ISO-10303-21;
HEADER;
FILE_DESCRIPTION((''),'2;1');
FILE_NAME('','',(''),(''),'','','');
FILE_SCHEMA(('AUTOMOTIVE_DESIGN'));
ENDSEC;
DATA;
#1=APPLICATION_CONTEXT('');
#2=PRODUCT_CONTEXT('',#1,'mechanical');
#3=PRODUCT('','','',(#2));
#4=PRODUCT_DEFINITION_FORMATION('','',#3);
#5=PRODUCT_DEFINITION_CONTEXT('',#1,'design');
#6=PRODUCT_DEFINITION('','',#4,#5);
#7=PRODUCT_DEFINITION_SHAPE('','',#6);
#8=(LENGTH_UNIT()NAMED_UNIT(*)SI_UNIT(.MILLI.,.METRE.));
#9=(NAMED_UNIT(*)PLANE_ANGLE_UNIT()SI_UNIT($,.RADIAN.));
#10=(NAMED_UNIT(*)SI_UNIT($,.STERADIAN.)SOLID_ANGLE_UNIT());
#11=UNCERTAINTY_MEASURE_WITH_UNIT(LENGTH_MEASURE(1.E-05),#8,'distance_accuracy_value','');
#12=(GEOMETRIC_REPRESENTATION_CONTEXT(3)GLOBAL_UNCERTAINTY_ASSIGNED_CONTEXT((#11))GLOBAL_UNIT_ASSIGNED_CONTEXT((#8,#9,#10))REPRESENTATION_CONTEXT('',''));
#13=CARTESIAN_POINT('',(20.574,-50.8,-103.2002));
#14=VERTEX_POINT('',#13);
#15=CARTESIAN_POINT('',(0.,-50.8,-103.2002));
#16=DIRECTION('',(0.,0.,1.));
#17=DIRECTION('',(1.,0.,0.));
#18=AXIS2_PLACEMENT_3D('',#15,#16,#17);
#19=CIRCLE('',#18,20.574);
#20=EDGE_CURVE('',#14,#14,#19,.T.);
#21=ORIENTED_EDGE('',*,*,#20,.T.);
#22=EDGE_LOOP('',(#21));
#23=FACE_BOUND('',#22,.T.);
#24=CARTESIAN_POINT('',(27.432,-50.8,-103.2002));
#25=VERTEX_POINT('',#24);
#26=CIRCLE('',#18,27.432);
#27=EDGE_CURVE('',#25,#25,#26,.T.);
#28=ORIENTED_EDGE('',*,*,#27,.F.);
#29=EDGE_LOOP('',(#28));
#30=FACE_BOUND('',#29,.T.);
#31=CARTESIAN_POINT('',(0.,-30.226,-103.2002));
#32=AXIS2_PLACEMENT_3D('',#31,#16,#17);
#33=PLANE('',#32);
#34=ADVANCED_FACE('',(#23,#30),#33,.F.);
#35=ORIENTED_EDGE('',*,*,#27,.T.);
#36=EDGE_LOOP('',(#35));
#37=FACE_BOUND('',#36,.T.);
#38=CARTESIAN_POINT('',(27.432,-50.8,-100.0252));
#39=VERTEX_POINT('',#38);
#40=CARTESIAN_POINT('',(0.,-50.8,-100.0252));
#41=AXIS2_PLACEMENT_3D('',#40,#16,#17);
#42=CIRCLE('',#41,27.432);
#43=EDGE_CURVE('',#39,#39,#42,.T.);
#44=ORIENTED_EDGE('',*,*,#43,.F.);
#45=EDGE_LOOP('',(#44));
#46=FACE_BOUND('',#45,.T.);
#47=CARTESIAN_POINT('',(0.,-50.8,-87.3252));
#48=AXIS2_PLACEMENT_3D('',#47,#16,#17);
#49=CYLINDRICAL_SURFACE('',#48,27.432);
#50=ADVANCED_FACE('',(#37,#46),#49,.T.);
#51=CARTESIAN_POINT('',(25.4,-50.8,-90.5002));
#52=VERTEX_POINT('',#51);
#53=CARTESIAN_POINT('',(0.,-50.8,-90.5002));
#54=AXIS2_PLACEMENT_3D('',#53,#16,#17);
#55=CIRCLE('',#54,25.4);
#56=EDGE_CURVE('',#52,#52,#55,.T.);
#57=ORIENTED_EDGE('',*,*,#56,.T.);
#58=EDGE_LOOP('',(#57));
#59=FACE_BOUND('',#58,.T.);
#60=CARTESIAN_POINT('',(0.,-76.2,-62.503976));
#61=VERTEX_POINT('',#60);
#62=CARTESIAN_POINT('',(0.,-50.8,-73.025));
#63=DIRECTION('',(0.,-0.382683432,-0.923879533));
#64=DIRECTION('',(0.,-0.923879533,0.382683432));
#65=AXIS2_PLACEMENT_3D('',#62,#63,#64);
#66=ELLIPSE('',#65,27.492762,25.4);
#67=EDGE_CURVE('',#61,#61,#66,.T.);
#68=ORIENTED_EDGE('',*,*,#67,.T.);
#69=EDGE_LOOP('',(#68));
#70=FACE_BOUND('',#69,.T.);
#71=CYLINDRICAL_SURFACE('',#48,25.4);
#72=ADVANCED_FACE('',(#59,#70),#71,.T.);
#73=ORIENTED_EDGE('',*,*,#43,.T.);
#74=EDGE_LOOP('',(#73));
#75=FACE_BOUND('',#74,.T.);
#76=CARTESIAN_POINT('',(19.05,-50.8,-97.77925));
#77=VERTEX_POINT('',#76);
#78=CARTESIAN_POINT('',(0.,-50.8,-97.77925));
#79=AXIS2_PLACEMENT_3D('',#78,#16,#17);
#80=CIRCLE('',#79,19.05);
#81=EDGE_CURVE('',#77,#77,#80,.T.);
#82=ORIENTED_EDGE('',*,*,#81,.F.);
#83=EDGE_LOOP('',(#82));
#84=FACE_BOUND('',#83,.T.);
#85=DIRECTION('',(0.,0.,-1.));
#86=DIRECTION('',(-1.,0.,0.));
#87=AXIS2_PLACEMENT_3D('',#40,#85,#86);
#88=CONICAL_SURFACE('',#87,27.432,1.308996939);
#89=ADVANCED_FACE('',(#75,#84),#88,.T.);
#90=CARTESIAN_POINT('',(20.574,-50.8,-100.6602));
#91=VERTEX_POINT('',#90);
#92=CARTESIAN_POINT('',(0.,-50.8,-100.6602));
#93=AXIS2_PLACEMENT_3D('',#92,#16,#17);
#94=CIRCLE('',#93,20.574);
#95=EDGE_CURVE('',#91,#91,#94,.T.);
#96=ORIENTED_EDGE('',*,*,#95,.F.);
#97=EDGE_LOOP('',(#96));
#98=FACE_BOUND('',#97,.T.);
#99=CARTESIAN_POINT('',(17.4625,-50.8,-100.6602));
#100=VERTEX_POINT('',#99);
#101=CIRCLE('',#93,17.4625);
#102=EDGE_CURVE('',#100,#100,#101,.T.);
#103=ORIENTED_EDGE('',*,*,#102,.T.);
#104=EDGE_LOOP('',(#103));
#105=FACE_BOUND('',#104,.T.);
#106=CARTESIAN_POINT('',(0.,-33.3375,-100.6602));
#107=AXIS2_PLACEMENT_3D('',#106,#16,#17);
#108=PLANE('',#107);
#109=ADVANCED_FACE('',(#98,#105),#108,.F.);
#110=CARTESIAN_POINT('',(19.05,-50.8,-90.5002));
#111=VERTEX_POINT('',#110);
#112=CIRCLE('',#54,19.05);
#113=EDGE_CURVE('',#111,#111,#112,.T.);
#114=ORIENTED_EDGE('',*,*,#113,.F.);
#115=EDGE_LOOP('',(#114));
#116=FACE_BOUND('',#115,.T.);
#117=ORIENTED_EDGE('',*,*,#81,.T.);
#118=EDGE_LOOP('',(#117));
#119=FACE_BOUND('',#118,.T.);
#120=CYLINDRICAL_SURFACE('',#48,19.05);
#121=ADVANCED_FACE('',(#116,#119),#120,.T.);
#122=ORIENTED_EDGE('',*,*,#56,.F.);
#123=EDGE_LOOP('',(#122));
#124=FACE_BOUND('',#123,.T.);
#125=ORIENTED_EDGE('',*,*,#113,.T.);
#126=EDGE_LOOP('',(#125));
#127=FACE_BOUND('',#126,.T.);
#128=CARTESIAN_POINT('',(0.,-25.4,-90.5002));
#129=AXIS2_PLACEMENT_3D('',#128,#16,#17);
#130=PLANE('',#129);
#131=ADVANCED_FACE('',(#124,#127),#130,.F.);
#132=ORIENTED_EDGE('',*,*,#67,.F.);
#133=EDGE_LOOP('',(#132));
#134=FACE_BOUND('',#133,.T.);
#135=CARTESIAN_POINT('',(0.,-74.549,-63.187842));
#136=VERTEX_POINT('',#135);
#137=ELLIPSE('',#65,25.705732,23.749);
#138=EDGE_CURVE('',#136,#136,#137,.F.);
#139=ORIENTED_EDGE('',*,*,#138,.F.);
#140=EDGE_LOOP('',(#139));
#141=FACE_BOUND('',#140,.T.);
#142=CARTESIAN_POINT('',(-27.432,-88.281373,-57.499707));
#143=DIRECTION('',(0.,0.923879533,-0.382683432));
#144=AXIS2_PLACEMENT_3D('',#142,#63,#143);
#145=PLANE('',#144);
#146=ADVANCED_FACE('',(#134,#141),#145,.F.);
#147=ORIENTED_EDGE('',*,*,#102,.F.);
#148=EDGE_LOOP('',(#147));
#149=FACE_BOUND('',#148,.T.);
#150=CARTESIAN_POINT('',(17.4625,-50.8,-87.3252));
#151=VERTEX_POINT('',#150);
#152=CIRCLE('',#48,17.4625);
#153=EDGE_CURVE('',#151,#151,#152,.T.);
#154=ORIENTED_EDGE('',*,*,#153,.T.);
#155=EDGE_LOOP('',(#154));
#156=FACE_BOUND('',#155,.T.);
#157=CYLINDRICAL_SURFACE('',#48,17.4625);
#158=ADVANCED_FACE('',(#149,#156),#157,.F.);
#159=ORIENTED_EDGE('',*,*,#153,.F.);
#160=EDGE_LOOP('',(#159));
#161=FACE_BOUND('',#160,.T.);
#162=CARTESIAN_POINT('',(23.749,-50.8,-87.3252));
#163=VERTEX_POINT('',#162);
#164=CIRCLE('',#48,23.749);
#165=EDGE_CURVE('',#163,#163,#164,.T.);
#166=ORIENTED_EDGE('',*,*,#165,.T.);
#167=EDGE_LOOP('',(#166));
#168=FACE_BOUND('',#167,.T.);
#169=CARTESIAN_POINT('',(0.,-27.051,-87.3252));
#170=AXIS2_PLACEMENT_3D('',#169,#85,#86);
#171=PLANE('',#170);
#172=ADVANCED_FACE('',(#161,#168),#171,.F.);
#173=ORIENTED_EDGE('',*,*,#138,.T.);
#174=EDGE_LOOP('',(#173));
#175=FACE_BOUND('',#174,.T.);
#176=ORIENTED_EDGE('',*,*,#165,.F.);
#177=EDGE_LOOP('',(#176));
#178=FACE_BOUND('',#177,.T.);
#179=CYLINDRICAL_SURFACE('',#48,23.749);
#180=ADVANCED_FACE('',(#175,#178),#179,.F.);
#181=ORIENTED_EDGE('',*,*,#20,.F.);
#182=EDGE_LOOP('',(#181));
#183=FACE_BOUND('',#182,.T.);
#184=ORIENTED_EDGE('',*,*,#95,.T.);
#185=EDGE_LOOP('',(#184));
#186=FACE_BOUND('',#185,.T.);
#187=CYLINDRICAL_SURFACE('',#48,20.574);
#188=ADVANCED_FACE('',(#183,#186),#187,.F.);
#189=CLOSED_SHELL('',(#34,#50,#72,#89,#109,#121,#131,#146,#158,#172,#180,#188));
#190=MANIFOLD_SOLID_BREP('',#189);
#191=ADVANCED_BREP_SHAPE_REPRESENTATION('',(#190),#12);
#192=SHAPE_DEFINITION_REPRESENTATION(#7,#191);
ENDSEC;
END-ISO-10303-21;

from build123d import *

# Parameters (mm, degrees)
CUT_EXTRUDE1_DEPTH      = 133.374626451
CUT_EXTRUDE1_DEPTH_BACK = 133.374626451


with BuildPart() as part:
    # Sketch4 → Revolve2 (revolve)
    with BuildSketch(Plane(origin=(0, 0, 0), x_dir=(0, 0, -1), z_dir=(1, 0, 0))):
        Polygon((87.3252, -33.3375), (100.6602, -33.3375), (100.6602, -30.226), (103.2002, -30.226), (103.2002, -23.368), (100.0252, -23.368), (97.779249869, -31.75), (90.5002, -31.75), (90.5002, -25.4), (58.7502, -25.4), (58.7502, -27.051), (87.3252, -27.051), align=None)
    revolve(axis=Axis((0, -50.8, -87.3252), (0, 0, -1)))

    # Sketch10 → Cut-Extrude1 (cut, two sides: drawn at the far end of the back side and taken through both)
    with BuildSketch(Plane(origin=(0, 0, 0), x_dir=(0, 0, -1), z_dir=(1, 0, 0)).offset(-CUT_EXTRUDE1_DEPTH_BACK)):
        Polygon((57.499707015, -88.281372884), (88.550292985, -13.318627116), (35.383859736, -13.318627116), (35.383859736, -88.281372884), align=None)
    extrude(amount=CUT_EXTRUDE1_DEPTH + CUT_EXTRUDE1_DEPTH_BACK, mode=Mode.SUBTRACT)


solid = part.part
